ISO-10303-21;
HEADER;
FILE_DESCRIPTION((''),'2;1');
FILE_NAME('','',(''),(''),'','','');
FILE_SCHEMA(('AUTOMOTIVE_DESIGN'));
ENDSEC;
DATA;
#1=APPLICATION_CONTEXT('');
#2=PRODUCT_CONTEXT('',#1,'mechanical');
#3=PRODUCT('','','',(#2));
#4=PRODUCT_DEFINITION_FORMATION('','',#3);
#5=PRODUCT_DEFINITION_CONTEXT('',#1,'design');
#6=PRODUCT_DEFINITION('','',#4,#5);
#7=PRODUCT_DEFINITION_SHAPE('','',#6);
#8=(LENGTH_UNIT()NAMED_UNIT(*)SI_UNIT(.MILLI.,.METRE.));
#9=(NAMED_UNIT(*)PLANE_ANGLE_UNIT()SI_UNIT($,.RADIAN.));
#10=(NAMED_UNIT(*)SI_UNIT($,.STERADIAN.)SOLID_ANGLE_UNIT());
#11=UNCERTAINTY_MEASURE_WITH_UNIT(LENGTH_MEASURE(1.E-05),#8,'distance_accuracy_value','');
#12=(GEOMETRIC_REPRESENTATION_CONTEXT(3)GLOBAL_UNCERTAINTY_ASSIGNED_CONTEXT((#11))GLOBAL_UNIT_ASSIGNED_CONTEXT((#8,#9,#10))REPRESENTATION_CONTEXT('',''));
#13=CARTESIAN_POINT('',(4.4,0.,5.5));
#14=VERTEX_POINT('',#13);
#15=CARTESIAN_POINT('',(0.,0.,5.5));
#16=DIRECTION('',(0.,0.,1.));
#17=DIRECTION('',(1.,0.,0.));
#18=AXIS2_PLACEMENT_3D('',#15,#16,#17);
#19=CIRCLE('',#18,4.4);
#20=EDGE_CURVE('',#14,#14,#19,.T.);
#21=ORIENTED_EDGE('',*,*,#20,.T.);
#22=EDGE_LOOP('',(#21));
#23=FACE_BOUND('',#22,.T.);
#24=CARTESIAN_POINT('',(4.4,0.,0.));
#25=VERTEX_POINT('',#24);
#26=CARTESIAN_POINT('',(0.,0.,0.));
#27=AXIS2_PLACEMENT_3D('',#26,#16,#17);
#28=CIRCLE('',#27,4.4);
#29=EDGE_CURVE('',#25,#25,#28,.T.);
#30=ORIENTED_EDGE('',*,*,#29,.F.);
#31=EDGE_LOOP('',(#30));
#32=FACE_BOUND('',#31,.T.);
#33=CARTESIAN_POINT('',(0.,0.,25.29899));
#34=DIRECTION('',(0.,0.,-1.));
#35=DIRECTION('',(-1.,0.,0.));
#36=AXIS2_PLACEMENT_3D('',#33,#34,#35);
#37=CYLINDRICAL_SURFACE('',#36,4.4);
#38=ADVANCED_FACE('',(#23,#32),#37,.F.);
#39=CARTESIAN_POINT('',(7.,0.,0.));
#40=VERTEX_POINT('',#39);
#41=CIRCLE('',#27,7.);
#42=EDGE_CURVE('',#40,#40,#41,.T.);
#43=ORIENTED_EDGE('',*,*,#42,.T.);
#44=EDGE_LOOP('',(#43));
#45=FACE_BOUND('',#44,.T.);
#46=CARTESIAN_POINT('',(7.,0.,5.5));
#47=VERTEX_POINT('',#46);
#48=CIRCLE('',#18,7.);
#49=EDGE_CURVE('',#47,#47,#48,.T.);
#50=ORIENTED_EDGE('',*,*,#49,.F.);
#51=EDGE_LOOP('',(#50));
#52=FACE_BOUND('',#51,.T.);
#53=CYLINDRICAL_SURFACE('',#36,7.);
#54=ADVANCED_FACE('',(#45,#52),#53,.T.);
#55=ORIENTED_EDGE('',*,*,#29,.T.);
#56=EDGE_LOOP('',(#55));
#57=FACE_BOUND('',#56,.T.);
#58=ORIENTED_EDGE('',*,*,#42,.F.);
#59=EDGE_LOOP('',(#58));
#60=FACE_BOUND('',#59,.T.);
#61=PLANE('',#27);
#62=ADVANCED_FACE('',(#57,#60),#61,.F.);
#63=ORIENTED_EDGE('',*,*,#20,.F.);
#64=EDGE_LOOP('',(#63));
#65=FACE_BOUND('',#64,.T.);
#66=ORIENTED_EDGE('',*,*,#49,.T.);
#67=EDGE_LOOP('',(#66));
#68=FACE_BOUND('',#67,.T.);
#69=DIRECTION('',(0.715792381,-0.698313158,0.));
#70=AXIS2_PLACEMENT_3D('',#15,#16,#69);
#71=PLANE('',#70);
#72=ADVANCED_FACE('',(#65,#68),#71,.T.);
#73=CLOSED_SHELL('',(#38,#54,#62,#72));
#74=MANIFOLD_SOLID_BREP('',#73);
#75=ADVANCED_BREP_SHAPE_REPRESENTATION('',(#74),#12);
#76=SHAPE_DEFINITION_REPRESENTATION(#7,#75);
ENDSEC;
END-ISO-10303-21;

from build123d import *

# Parameters (mm, degrees)
SKETCH1_R           = 7
SKETCH1_R_2         = 4.4
BOSS_EXTRUDE1_DEPTH = 5.5


with BuildPart() as part:
    # Sketch1 → Boss-Extrude1 (new body)
    with BuildSketch(Plane.XY):
        Circle(SKETCH1_R)
        Circle(SKETCH1_R_2, mode=Mode.SUBTRACT)
    extrude(amount=BOSS_EXTRUDE1_DEPTH)


solid = part.part
